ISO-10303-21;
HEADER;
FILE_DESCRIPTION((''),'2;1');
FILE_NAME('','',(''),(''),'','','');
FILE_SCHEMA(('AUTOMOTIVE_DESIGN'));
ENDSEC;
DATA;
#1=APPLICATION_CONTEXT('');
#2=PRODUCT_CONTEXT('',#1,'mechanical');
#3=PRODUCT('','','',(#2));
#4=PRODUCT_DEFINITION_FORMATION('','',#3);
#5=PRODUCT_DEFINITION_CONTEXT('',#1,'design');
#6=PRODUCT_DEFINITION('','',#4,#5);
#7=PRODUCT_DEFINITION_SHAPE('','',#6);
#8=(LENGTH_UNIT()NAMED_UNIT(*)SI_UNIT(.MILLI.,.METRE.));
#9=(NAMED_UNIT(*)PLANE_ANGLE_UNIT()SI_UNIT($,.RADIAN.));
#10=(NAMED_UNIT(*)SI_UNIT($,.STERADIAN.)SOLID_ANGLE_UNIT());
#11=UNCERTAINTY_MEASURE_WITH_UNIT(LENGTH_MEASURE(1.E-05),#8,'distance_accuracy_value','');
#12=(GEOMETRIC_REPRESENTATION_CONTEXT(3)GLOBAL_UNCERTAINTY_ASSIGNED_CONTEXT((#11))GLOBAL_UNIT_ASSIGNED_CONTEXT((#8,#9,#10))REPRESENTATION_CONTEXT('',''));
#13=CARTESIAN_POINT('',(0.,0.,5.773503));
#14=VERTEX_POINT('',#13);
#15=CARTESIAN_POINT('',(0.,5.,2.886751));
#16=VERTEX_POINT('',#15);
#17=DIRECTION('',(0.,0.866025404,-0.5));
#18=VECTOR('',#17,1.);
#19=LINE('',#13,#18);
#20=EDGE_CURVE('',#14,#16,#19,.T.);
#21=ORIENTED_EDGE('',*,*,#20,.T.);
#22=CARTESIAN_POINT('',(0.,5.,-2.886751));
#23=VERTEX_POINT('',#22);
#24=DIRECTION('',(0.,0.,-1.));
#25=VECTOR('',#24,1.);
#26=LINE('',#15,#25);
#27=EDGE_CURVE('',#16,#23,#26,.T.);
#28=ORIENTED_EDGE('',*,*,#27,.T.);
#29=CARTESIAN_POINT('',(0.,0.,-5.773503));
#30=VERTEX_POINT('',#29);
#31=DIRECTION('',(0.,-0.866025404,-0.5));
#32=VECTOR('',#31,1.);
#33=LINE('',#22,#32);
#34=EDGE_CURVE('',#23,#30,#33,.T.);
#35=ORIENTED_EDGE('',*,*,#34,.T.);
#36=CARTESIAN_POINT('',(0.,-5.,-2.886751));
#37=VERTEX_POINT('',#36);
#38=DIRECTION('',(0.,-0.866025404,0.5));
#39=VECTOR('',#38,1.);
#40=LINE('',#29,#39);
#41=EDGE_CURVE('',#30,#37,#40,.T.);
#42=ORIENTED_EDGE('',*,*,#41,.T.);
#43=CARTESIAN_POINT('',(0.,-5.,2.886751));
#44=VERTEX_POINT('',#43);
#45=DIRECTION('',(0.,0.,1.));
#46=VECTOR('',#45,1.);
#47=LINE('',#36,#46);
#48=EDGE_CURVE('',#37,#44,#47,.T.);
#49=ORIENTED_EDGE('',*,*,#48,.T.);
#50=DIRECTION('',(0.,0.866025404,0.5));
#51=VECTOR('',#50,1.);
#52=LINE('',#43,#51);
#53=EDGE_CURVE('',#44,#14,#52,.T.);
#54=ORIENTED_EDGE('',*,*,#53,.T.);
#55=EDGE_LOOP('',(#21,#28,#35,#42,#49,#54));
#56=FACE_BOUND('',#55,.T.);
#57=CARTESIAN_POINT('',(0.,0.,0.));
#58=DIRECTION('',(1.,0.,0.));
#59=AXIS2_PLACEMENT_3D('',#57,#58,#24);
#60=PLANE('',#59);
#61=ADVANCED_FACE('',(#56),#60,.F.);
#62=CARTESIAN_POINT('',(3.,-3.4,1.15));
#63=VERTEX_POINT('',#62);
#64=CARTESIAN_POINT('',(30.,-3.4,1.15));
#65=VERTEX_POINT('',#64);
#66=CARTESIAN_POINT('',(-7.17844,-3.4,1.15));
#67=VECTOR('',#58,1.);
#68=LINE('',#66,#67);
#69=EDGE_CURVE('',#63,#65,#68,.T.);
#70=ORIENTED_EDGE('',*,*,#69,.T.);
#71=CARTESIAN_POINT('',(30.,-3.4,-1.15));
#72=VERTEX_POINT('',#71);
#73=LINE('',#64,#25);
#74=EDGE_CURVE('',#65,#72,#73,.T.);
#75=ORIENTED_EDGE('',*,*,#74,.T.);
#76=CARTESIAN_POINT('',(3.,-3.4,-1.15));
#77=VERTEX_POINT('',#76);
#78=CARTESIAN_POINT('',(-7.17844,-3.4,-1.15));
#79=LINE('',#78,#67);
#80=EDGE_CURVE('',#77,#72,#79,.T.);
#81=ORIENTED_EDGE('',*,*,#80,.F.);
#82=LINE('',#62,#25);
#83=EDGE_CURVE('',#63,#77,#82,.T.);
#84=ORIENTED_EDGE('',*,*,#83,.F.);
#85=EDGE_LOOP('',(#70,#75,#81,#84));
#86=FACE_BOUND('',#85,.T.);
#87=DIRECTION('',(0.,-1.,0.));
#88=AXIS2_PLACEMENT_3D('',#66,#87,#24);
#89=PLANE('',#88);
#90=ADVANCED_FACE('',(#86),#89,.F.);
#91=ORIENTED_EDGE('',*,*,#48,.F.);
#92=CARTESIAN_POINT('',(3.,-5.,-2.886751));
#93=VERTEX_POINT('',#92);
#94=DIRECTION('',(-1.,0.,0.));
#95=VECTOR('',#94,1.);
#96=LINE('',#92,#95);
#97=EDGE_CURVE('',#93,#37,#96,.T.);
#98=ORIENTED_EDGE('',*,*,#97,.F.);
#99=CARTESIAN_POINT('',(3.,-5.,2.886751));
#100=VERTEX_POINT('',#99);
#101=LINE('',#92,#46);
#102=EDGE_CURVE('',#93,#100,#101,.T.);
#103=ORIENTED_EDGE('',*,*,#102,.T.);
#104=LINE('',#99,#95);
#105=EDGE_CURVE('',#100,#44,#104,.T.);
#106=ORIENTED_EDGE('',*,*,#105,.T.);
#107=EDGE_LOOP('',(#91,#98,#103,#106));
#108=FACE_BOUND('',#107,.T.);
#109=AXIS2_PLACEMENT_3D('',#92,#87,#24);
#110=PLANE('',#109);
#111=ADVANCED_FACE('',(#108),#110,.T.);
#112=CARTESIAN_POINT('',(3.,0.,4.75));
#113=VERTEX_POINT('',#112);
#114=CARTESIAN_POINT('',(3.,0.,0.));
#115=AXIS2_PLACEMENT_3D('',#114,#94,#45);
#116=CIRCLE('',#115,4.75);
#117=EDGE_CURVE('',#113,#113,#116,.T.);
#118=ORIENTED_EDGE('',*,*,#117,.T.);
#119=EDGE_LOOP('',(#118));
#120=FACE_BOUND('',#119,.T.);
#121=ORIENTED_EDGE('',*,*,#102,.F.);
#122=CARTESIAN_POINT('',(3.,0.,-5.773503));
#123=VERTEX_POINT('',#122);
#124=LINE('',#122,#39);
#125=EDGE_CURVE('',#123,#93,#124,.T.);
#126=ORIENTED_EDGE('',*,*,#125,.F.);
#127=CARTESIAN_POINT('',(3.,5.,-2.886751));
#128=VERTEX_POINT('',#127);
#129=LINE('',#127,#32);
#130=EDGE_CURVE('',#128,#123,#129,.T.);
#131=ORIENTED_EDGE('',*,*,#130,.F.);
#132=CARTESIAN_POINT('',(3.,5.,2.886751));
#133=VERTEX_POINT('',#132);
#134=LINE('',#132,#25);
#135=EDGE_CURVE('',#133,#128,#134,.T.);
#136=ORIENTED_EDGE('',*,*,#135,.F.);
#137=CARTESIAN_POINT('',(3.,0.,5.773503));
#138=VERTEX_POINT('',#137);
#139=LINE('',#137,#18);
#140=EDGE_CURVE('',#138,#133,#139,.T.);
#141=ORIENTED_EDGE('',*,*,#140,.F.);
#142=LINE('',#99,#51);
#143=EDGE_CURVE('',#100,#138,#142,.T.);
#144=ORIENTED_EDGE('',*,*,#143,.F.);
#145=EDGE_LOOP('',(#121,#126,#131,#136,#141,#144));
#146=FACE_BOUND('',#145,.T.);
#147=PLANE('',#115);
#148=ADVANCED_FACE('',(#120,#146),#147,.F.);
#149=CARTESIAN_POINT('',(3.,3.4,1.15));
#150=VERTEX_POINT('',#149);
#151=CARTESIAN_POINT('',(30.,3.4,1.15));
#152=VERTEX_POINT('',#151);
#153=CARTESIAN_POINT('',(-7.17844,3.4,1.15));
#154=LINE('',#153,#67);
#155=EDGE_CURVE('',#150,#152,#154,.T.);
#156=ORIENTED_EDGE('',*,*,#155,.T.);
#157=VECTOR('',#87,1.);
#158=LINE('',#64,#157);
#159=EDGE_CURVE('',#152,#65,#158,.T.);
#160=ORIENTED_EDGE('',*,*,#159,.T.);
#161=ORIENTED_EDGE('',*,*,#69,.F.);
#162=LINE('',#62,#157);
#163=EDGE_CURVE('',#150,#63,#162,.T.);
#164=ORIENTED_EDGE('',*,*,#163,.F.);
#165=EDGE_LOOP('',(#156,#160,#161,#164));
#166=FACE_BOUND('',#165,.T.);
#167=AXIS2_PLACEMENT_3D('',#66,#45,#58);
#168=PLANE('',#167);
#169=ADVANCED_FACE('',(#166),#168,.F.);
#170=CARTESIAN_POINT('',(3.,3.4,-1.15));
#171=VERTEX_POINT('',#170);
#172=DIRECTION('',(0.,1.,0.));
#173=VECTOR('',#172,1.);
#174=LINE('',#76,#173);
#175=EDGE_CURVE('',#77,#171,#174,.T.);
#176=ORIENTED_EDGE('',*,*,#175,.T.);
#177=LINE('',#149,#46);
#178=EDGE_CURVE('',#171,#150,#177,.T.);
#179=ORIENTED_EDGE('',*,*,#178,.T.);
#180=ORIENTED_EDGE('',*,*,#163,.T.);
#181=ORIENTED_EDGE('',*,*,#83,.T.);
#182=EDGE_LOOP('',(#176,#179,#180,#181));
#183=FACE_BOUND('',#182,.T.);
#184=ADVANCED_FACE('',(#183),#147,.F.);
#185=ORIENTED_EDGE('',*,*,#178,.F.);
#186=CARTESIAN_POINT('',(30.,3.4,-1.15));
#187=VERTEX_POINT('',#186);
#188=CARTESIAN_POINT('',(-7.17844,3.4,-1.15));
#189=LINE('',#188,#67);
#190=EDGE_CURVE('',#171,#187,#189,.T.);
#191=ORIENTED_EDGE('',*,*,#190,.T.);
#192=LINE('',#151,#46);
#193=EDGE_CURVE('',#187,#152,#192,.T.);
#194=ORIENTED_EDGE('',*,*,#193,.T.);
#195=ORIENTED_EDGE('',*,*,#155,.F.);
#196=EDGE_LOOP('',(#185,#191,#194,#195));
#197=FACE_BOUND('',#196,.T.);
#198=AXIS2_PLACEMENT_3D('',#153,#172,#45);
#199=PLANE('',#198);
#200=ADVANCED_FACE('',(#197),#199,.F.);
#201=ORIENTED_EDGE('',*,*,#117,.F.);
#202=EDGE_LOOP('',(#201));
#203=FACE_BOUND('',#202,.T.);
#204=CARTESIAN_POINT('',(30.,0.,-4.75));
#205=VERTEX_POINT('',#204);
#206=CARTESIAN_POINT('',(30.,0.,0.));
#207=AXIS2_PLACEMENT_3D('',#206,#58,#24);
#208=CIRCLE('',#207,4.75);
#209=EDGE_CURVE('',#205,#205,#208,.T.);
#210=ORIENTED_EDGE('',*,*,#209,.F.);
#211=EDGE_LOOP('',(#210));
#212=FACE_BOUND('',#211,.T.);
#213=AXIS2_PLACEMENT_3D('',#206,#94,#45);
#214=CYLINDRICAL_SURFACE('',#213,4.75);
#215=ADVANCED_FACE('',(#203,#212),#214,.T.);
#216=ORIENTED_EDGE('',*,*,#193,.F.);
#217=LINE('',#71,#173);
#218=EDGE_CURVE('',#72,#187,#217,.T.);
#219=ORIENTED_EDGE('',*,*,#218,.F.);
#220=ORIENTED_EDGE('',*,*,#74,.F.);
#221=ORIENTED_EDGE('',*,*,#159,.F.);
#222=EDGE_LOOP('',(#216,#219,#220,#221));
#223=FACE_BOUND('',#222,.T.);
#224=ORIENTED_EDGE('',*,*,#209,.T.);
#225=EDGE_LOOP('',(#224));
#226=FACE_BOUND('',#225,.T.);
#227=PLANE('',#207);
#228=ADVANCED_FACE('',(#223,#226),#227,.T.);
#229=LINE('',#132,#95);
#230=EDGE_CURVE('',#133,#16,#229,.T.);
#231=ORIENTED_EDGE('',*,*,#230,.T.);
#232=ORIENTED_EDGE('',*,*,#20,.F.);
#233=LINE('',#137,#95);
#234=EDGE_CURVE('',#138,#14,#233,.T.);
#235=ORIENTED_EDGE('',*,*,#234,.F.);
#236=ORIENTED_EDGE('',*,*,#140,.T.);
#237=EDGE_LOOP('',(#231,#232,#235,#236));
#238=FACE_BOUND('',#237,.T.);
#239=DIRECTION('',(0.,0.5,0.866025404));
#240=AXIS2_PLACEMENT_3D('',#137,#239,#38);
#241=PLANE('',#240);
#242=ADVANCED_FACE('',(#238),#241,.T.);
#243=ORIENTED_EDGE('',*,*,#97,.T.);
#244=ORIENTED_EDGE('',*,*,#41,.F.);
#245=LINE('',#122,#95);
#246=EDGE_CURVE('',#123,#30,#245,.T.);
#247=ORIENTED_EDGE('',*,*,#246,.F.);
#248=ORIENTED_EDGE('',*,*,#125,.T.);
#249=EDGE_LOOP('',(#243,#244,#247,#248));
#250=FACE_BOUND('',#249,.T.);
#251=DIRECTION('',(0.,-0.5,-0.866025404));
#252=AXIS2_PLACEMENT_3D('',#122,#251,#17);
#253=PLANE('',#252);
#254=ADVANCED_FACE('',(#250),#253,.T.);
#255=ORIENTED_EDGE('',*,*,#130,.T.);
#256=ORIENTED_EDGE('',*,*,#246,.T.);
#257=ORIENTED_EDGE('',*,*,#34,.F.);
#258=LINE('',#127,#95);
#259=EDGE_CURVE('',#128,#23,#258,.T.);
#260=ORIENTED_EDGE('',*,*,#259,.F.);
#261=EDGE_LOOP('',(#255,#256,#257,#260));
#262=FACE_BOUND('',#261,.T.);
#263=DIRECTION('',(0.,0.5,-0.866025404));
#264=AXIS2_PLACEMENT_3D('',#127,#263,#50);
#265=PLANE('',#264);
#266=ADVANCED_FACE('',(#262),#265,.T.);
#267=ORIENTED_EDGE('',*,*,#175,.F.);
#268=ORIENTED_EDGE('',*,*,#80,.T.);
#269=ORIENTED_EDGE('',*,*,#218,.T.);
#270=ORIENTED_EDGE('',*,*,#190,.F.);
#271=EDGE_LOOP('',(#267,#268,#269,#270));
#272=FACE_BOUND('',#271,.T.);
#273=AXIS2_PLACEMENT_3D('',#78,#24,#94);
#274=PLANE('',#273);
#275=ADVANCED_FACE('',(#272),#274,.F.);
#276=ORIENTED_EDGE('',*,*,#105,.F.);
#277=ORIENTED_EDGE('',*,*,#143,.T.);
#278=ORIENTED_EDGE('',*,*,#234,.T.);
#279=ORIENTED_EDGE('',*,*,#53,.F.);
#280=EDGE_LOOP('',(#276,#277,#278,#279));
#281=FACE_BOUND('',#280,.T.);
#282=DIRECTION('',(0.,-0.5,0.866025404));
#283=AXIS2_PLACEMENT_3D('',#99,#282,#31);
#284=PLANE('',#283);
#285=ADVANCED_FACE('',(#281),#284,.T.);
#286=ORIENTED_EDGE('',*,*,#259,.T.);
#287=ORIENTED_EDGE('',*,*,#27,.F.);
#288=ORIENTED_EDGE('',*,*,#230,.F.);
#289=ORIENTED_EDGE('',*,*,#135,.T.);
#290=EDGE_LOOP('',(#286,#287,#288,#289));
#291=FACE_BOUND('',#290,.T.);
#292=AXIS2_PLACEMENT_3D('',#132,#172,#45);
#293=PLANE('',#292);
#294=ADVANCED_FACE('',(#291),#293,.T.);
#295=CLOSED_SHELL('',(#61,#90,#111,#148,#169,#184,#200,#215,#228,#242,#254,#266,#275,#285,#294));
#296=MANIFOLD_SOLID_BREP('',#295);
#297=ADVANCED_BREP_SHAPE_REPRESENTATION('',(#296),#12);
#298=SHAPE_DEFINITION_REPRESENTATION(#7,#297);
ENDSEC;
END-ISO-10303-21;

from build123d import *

# Parameters (mm, degrees)
SKETCH1_R           = 4.75
BOSS_EXTRUDE1_DEPTH = 30
SKETCH2_W           = 2.3
SKETCH2_H           = 6.8
CUT_EXTRUDE1_DEPTH  = 30
BOSS_EXTRUDE2_DEPTH = 3


with BuildPart() as part:
    # Sketch1 → Boss-Extrude1 (new body)
    with BuildSketch(Plane(origin=(0, 0, 0), x_dir=(0, 0, -1), z_dir=(1, 0, 0))):
        Circle(SKETCH1_R)
    extrude(amount=BOSS_EXTRUDE1_DEPTH)

    # Sketch2 → Cut-Extrude1 (cut)
    with BuildSketch(Plane(origin=(30, 0, 0), x_dir=(0, 0, -1), z_dir=(1, 0, 0))):
        Rectangle(SKETCH2_W, SKETCH2_H)
    extrude(amount=-CUT_EXTRUDE1_DEPTH, mode=Mode.SUBTRACT)

    # Sketch3 → Boss-Extrude2 (add)
    with BuildSketch(Plane.ZY):
        Polygon((5.773502692, 0), (2.886751346, 5), (-2.886751346, 5), (-5.773502692, 0), (-2.886751346, -5), (2.886751346, -5), align=None)
    extrude(amount=-BOSS_EXTRUDE2_DEPTH)


solid = part.part
